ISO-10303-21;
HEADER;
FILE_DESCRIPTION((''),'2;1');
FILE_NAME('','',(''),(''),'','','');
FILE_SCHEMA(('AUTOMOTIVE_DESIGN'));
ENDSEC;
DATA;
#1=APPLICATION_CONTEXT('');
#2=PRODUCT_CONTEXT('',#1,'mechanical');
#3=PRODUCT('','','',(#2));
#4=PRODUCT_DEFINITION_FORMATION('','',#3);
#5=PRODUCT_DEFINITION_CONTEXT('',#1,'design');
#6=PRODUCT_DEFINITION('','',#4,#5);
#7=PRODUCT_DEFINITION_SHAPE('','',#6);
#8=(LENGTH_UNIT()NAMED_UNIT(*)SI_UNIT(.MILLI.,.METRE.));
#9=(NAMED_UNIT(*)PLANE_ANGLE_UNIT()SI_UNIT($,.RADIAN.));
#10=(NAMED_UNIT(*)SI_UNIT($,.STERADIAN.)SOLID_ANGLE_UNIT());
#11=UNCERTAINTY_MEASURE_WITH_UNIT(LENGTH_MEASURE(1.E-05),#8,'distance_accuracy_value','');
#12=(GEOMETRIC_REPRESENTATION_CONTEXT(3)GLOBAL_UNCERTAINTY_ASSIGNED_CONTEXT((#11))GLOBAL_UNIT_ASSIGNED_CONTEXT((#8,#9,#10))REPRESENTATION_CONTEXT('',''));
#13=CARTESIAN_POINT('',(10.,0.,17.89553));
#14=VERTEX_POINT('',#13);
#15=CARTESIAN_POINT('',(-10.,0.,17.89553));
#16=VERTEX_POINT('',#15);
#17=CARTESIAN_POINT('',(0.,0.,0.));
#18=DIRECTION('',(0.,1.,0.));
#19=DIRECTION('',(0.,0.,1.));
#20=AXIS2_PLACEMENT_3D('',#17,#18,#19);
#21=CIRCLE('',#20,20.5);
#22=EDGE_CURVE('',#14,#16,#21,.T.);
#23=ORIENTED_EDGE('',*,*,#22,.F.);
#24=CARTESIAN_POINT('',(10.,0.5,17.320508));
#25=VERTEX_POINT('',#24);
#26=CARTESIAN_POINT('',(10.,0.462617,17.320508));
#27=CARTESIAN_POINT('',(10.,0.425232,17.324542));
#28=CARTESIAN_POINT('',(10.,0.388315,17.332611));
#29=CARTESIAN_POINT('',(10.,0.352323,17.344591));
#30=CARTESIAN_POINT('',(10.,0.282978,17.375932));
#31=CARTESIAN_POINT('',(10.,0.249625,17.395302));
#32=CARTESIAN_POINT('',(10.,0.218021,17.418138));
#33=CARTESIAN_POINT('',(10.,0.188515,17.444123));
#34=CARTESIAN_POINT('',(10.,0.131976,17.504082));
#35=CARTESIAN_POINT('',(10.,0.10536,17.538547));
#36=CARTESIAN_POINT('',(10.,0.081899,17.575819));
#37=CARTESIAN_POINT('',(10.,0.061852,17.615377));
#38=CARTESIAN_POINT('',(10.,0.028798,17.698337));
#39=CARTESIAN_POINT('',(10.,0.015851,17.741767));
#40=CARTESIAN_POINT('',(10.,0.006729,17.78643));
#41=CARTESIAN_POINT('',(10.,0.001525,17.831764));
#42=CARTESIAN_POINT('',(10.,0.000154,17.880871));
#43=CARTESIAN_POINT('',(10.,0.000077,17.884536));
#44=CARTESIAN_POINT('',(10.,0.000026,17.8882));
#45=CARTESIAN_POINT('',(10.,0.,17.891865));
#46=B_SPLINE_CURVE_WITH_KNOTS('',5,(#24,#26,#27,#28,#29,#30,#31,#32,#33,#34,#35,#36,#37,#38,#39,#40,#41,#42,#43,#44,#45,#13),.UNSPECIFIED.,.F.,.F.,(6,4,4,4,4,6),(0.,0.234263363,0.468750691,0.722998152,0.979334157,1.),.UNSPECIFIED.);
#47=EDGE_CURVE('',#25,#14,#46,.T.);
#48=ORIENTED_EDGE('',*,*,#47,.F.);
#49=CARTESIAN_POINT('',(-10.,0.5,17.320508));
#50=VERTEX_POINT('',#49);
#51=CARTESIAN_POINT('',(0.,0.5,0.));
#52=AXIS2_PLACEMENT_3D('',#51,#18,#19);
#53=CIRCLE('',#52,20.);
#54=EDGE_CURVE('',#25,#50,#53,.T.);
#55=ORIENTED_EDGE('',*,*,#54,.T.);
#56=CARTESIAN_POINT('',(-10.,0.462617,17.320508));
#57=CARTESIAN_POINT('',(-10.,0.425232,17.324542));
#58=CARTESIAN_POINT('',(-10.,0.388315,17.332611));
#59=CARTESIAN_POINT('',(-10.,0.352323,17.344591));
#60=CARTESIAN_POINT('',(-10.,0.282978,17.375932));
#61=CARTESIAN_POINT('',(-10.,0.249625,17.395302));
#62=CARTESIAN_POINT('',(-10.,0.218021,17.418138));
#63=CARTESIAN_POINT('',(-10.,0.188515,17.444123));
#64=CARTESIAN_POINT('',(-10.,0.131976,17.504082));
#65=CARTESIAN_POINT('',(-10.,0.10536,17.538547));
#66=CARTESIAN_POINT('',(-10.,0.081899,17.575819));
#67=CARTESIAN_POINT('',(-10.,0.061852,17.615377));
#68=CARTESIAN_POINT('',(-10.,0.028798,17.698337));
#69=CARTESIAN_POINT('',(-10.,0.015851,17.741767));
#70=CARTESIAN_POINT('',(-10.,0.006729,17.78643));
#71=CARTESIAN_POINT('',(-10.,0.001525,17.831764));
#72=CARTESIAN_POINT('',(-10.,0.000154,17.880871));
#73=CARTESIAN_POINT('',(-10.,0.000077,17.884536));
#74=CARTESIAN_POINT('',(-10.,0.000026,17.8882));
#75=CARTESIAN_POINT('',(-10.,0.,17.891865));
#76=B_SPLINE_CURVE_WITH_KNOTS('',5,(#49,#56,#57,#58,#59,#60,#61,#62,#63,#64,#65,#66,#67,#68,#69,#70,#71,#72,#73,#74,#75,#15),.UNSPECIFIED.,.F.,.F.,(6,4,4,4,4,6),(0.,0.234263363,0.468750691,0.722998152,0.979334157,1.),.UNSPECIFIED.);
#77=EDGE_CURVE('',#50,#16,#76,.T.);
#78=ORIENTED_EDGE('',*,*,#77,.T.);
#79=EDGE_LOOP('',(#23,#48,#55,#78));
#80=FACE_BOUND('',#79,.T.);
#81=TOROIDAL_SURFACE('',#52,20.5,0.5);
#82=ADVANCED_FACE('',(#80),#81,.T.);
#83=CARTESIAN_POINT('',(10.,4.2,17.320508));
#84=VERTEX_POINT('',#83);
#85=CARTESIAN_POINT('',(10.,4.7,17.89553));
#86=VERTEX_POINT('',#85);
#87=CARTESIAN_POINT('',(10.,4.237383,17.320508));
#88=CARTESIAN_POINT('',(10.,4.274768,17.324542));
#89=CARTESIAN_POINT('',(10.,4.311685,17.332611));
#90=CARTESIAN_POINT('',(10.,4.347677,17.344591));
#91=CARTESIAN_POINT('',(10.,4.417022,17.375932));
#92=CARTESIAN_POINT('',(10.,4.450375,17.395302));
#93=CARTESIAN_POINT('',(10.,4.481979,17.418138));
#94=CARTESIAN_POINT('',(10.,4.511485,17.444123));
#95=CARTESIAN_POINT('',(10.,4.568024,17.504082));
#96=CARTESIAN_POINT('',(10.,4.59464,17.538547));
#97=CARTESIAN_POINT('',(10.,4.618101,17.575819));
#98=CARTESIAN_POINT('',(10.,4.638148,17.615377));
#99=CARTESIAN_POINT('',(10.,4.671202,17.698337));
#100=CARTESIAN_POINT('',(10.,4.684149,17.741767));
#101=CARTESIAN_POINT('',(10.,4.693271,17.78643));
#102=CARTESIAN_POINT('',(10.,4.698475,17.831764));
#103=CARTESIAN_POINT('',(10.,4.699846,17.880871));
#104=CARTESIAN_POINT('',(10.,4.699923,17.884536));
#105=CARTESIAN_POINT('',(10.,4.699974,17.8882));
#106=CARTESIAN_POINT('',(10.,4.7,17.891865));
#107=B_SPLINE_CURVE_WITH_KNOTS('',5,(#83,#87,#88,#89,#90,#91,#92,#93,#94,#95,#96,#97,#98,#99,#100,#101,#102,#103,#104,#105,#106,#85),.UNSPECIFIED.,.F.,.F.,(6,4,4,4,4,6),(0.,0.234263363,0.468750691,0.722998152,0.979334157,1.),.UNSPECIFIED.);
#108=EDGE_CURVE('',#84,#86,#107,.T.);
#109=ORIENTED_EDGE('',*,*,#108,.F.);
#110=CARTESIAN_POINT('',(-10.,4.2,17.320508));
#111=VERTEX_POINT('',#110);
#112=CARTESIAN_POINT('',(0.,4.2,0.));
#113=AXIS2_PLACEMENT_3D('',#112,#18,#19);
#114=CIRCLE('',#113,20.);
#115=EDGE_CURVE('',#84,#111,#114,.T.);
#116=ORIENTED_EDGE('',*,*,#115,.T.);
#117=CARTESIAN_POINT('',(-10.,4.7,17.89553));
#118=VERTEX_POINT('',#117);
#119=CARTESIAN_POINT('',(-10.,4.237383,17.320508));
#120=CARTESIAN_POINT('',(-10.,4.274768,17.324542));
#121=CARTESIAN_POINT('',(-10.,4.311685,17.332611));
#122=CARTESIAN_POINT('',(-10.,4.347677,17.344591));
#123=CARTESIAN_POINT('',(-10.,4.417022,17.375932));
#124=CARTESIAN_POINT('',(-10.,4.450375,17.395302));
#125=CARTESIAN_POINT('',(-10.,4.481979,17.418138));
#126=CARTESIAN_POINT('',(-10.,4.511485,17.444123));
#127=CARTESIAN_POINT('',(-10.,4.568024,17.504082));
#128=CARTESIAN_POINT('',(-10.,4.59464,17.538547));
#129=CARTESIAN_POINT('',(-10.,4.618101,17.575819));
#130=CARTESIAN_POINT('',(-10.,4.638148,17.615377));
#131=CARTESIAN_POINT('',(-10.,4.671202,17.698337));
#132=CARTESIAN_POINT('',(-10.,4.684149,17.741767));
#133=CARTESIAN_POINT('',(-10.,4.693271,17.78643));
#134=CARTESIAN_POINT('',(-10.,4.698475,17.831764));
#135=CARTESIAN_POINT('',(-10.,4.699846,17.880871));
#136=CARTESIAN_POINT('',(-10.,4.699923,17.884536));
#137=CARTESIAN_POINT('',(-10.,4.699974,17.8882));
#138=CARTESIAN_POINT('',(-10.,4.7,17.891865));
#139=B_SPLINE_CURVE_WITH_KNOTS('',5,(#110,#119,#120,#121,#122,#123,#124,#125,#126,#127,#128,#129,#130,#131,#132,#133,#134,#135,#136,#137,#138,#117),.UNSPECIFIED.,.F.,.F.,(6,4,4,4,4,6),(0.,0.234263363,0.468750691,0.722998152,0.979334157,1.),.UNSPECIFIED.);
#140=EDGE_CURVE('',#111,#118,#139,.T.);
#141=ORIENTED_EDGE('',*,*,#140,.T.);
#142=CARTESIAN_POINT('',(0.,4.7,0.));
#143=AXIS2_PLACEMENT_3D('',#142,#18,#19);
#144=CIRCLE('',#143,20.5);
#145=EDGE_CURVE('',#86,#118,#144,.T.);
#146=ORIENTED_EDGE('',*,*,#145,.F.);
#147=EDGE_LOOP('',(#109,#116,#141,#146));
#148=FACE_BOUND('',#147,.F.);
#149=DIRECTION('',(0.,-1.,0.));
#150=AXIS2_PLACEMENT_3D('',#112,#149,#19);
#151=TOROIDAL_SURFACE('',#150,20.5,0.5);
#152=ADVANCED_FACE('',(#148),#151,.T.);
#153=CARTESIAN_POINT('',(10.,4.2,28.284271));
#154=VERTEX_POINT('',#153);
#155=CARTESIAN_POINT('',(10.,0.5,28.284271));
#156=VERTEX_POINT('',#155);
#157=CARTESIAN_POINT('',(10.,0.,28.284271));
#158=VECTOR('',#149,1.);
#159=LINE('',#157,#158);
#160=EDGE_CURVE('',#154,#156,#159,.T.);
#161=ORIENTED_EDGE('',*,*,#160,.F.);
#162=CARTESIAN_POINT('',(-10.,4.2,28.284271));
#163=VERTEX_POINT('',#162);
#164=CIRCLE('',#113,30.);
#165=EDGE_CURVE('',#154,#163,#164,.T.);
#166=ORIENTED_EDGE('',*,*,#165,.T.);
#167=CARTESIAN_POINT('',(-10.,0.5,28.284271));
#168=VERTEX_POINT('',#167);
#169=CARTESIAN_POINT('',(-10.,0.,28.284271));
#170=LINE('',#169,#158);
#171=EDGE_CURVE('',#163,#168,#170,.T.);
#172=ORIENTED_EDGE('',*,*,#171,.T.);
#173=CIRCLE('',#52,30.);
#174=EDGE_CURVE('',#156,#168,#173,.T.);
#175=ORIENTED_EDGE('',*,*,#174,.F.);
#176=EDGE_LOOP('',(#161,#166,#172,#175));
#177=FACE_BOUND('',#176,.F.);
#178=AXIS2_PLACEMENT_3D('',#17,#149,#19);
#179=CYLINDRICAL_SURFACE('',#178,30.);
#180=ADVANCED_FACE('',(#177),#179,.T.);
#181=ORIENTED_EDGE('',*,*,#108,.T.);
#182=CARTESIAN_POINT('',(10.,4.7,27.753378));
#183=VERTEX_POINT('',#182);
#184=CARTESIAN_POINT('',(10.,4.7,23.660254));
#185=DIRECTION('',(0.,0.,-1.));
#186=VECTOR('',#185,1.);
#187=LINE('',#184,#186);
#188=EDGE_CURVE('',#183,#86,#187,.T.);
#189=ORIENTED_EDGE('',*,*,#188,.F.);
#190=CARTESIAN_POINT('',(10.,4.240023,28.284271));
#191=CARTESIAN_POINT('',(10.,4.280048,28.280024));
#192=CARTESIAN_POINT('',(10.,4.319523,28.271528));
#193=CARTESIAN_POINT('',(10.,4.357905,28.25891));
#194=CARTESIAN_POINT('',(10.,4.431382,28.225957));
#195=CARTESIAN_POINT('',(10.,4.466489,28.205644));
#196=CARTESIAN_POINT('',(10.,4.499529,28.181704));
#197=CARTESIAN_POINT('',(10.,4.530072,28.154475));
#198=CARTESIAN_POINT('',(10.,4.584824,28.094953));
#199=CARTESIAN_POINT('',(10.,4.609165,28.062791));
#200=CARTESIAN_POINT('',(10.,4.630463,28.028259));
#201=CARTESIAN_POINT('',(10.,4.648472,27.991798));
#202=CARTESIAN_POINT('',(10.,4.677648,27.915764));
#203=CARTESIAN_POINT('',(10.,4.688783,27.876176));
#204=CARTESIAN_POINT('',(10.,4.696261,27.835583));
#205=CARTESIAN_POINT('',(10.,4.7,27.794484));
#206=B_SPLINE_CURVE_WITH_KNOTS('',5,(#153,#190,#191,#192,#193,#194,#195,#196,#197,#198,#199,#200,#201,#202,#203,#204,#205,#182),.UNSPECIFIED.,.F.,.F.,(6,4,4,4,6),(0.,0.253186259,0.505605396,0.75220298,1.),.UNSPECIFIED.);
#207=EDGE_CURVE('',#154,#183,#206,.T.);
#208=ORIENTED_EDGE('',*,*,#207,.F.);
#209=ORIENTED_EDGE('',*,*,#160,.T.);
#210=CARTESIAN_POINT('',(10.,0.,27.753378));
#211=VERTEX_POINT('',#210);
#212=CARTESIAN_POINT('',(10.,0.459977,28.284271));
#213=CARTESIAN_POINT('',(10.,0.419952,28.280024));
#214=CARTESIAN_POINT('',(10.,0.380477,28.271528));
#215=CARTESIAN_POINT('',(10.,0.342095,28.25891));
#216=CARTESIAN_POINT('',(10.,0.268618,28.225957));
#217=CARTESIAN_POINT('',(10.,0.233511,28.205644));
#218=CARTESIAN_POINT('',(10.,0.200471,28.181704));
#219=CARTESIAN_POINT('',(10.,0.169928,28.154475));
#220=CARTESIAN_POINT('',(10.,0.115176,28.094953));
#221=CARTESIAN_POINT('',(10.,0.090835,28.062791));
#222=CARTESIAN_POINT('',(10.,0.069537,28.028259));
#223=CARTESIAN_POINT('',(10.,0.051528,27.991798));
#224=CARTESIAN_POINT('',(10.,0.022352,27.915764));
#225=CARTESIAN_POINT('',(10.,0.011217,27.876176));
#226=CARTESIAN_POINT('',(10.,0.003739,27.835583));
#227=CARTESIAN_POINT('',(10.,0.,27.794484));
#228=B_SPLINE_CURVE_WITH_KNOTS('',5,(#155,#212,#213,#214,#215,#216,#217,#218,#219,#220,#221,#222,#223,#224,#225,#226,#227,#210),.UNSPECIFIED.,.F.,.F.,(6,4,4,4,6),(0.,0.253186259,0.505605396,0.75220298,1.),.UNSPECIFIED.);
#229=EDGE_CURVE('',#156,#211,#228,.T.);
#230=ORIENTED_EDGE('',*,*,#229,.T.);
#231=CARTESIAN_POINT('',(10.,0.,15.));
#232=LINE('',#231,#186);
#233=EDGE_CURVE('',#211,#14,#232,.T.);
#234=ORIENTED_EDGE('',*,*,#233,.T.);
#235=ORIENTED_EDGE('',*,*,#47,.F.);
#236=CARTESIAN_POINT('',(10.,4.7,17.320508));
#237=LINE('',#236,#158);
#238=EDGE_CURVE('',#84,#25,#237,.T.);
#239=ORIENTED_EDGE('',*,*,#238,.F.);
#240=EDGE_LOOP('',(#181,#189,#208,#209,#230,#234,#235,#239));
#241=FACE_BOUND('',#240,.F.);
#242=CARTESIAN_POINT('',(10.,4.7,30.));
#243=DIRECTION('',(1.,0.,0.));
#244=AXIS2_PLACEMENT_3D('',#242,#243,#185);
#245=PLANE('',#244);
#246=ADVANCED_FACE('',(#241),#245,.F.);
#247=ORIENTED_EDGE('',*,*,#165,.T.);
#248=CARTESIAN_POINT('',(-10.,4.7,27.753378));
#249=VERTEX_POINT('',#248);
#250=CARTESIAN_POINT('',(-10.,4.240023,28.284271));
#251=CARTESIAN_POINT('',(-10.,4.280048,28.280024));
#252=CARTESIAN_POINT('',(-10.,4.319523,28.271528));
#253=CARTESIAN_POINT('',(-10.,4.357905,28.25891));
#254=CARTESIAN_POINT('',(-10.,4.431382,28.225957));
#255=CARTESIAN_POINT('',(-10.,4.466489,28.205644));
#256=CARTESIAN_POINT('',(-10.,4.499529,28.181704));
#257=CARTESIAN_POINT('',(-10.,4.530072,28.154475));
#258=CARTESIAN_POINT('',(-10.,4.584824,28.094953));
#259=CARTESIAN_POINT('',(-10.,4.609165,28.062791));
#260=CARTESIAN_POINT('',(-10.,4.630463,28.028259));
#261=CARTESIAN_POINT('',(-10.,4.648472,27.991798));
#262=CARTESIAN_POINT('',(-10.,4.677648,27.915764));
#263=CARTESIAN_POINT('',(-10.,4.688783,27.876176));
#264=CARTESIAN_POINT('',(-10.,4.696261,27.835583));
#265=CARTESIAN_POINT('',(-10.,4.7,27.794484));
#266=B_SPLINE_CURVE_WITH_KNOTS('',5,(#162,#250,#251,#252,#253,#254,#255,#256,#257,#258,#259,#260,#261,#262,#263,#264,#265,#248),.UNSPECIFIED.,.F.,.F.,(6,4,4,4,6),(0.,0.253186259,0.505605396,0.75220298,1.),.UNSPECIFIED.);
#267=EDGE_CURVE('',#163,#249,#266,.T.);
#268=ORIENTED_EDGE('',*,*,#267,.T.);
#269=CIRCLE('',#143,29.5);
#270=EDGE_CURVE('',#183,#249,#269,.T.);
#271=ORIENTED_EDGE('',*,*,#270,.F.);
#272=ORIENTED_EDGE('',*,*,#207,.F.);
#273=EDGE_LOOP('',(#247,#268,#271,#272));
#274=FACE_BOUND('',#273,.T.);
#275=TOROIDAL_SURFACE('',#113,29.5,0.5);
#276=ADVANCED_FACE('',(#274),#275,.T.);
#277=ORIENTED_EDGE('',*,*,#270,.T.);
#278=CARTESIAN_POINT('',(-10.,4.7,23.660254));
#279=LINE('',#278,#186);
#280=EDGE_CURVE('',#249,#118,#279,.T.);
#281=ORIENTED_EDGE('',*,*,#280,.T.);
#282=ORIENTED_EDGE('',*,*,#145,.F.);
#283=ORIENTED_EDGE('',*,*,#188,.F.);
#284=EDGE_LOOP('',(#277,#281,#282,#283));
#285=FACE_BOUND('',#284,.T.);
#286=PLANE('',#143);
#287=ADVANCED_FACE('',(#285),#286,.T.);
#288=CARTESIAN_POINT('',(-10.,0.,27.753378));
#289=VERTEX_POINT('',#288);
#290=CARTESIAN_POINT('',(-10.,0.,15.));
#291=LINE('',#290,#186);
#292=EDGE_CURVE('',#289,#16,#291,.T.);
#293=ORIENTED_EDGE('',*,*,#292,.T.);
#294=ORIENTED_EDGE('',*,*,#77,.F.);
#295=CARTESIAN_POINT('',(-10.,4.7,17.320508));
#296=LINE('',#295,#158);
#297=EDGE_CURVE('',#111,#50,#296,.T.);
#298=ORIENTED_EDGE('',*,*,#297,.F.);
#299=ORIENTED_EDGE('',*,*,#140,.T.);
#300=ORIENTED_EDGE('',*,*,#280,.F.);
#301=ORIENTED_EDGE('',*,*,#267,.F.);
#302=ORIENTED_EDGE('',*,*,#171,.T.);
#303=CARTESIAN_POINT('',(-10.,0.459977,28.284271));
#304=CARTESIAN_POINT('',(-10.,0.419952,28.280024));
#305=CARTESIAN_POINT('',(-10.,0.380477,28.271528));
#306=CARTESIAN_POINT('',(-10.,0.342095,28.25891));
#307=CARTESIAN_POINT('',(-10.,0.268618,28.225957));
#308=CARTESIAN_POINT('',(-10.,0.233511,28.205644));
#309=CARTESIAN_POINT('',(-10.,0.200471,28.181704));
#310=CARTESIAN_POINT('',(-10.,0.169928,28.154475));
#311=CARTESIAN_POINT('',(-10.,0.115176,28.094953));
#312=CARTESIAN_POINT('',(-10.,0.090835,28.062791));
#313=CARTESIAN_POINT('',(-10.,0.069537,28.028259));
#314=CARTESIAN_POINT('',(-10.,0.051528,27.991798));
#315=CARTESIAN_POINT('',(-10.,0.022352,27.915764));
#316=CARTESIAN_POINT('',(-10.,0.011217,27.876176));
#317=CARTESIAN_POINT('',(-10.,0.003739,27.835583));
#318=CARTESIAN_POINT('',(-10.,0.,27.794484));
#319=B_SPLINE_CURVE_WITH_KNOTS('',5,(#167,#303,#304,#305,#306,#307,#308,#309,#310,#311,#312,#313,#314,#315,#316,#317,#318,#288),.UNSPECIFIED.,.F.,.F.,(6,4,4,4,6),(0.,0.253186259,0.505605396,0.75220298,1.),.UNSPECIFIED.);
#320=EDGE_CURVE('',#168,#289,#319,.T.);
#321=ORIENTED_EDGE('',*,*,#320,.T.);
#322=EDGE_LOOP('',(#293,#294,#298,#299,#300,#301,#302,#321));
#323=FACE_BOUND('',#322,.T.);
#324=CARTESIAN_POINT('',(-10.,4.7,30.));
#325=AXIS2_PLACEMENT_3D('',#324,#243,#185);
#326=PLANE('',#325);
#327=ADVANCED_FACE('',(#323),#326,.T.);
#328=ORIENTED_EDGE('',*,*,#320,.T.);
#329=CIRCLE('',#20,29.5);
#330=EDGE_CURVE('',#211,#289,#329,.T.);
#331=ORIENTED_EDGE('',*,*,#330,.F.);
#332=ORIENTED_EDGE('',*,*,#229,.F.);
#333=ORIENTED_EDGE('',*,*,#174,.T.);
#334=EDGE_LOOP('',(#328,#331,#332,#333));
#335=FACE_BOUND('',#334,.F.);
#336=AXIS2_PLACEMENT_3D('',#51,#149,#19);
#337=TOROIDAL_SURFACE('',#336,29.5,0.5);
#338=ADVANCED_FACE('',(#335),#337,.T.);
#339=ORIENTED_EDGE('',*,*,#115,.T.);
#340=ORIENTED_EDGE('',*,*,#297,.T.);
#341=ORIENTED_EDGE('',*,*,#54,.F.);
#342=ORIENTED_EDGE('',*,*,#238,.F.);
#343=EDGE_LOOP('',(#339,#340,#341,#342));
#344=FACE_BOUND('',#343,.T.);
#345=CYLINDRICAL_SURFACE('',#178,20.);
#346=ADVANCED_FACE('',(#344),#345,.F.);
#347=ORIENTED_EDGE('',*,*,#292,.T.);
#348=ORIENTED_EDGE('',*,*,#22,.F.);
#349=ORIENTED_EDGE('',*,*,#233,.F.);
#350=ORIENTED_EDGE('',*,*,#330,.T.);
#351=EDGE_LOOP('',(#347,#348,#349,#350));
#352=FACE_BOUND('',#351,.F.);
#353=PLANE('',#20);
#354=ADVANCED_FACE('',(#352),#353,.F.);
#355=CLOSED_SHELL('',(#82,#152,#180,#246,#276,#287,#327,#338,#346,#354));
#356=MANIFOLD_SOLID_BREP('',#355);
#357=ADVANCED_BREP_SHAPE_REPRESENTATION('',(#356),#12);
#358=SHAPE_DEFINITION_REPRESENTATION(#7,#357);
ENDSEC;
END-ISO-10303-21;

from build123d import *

# Parameters (mm, degrees)
SKETCH1_R           = 30
SKETCH1_R_2         = 20
BOSS_EXTRUDE1_DEPTH = 4.7
FILLET1_R           = 0.5
SKETCH2_W           = 20
SKETCH2_H           = 12.679491924
CUT_EXTRUDE1_DEPTH  = 43.685946165


with BuildPart() as part:
    # Sketch1 → Boss-Extrude1 (new body)
    with BuildSketch(Plane(origin=(0, 0, 0), x_dir=(1, 0, 0), z_dir=(0, 1, 0))):
        with Locations(Location((0, 0, 0), (0, 0, 270))):
            Circle(SKETCH1_R)
        with Locations(Location((0, 0, 0), (0, 0, 270))):
            Circle(SKETCH1_R_2, mode=Mode.SUBTRACT)
    extrude(amount=BOSS_EXTRUDE1_DEPTH)

    # Fillet1
    fillet1_edges = [part.edges().sort_by_distance(p)[0] for p in [
        (0, 0, -30),
        (0, 4.7, -30),
        (0, 0, -20),
        (0, 4.7, -20),
    ]]
    fillet(fillet1_edges, radius=FILLET1_R)

    # Sketch2 → Cut-Extrude1 (cut, through all)
    with BuildSketch(Plane(origin=(0, 4.7, 0), x_dir=(1, 0, 0), z_dir=(0, 1, 0))):
        with Locations((0, -23.660254038)):
            Rectangle(SKETCH2_W, SKETCH2_H)
    extrude(amount=-CUT_EXTRUDE1_DEPTH, mode=Mode.SUBTRACT)


solid = part.part
